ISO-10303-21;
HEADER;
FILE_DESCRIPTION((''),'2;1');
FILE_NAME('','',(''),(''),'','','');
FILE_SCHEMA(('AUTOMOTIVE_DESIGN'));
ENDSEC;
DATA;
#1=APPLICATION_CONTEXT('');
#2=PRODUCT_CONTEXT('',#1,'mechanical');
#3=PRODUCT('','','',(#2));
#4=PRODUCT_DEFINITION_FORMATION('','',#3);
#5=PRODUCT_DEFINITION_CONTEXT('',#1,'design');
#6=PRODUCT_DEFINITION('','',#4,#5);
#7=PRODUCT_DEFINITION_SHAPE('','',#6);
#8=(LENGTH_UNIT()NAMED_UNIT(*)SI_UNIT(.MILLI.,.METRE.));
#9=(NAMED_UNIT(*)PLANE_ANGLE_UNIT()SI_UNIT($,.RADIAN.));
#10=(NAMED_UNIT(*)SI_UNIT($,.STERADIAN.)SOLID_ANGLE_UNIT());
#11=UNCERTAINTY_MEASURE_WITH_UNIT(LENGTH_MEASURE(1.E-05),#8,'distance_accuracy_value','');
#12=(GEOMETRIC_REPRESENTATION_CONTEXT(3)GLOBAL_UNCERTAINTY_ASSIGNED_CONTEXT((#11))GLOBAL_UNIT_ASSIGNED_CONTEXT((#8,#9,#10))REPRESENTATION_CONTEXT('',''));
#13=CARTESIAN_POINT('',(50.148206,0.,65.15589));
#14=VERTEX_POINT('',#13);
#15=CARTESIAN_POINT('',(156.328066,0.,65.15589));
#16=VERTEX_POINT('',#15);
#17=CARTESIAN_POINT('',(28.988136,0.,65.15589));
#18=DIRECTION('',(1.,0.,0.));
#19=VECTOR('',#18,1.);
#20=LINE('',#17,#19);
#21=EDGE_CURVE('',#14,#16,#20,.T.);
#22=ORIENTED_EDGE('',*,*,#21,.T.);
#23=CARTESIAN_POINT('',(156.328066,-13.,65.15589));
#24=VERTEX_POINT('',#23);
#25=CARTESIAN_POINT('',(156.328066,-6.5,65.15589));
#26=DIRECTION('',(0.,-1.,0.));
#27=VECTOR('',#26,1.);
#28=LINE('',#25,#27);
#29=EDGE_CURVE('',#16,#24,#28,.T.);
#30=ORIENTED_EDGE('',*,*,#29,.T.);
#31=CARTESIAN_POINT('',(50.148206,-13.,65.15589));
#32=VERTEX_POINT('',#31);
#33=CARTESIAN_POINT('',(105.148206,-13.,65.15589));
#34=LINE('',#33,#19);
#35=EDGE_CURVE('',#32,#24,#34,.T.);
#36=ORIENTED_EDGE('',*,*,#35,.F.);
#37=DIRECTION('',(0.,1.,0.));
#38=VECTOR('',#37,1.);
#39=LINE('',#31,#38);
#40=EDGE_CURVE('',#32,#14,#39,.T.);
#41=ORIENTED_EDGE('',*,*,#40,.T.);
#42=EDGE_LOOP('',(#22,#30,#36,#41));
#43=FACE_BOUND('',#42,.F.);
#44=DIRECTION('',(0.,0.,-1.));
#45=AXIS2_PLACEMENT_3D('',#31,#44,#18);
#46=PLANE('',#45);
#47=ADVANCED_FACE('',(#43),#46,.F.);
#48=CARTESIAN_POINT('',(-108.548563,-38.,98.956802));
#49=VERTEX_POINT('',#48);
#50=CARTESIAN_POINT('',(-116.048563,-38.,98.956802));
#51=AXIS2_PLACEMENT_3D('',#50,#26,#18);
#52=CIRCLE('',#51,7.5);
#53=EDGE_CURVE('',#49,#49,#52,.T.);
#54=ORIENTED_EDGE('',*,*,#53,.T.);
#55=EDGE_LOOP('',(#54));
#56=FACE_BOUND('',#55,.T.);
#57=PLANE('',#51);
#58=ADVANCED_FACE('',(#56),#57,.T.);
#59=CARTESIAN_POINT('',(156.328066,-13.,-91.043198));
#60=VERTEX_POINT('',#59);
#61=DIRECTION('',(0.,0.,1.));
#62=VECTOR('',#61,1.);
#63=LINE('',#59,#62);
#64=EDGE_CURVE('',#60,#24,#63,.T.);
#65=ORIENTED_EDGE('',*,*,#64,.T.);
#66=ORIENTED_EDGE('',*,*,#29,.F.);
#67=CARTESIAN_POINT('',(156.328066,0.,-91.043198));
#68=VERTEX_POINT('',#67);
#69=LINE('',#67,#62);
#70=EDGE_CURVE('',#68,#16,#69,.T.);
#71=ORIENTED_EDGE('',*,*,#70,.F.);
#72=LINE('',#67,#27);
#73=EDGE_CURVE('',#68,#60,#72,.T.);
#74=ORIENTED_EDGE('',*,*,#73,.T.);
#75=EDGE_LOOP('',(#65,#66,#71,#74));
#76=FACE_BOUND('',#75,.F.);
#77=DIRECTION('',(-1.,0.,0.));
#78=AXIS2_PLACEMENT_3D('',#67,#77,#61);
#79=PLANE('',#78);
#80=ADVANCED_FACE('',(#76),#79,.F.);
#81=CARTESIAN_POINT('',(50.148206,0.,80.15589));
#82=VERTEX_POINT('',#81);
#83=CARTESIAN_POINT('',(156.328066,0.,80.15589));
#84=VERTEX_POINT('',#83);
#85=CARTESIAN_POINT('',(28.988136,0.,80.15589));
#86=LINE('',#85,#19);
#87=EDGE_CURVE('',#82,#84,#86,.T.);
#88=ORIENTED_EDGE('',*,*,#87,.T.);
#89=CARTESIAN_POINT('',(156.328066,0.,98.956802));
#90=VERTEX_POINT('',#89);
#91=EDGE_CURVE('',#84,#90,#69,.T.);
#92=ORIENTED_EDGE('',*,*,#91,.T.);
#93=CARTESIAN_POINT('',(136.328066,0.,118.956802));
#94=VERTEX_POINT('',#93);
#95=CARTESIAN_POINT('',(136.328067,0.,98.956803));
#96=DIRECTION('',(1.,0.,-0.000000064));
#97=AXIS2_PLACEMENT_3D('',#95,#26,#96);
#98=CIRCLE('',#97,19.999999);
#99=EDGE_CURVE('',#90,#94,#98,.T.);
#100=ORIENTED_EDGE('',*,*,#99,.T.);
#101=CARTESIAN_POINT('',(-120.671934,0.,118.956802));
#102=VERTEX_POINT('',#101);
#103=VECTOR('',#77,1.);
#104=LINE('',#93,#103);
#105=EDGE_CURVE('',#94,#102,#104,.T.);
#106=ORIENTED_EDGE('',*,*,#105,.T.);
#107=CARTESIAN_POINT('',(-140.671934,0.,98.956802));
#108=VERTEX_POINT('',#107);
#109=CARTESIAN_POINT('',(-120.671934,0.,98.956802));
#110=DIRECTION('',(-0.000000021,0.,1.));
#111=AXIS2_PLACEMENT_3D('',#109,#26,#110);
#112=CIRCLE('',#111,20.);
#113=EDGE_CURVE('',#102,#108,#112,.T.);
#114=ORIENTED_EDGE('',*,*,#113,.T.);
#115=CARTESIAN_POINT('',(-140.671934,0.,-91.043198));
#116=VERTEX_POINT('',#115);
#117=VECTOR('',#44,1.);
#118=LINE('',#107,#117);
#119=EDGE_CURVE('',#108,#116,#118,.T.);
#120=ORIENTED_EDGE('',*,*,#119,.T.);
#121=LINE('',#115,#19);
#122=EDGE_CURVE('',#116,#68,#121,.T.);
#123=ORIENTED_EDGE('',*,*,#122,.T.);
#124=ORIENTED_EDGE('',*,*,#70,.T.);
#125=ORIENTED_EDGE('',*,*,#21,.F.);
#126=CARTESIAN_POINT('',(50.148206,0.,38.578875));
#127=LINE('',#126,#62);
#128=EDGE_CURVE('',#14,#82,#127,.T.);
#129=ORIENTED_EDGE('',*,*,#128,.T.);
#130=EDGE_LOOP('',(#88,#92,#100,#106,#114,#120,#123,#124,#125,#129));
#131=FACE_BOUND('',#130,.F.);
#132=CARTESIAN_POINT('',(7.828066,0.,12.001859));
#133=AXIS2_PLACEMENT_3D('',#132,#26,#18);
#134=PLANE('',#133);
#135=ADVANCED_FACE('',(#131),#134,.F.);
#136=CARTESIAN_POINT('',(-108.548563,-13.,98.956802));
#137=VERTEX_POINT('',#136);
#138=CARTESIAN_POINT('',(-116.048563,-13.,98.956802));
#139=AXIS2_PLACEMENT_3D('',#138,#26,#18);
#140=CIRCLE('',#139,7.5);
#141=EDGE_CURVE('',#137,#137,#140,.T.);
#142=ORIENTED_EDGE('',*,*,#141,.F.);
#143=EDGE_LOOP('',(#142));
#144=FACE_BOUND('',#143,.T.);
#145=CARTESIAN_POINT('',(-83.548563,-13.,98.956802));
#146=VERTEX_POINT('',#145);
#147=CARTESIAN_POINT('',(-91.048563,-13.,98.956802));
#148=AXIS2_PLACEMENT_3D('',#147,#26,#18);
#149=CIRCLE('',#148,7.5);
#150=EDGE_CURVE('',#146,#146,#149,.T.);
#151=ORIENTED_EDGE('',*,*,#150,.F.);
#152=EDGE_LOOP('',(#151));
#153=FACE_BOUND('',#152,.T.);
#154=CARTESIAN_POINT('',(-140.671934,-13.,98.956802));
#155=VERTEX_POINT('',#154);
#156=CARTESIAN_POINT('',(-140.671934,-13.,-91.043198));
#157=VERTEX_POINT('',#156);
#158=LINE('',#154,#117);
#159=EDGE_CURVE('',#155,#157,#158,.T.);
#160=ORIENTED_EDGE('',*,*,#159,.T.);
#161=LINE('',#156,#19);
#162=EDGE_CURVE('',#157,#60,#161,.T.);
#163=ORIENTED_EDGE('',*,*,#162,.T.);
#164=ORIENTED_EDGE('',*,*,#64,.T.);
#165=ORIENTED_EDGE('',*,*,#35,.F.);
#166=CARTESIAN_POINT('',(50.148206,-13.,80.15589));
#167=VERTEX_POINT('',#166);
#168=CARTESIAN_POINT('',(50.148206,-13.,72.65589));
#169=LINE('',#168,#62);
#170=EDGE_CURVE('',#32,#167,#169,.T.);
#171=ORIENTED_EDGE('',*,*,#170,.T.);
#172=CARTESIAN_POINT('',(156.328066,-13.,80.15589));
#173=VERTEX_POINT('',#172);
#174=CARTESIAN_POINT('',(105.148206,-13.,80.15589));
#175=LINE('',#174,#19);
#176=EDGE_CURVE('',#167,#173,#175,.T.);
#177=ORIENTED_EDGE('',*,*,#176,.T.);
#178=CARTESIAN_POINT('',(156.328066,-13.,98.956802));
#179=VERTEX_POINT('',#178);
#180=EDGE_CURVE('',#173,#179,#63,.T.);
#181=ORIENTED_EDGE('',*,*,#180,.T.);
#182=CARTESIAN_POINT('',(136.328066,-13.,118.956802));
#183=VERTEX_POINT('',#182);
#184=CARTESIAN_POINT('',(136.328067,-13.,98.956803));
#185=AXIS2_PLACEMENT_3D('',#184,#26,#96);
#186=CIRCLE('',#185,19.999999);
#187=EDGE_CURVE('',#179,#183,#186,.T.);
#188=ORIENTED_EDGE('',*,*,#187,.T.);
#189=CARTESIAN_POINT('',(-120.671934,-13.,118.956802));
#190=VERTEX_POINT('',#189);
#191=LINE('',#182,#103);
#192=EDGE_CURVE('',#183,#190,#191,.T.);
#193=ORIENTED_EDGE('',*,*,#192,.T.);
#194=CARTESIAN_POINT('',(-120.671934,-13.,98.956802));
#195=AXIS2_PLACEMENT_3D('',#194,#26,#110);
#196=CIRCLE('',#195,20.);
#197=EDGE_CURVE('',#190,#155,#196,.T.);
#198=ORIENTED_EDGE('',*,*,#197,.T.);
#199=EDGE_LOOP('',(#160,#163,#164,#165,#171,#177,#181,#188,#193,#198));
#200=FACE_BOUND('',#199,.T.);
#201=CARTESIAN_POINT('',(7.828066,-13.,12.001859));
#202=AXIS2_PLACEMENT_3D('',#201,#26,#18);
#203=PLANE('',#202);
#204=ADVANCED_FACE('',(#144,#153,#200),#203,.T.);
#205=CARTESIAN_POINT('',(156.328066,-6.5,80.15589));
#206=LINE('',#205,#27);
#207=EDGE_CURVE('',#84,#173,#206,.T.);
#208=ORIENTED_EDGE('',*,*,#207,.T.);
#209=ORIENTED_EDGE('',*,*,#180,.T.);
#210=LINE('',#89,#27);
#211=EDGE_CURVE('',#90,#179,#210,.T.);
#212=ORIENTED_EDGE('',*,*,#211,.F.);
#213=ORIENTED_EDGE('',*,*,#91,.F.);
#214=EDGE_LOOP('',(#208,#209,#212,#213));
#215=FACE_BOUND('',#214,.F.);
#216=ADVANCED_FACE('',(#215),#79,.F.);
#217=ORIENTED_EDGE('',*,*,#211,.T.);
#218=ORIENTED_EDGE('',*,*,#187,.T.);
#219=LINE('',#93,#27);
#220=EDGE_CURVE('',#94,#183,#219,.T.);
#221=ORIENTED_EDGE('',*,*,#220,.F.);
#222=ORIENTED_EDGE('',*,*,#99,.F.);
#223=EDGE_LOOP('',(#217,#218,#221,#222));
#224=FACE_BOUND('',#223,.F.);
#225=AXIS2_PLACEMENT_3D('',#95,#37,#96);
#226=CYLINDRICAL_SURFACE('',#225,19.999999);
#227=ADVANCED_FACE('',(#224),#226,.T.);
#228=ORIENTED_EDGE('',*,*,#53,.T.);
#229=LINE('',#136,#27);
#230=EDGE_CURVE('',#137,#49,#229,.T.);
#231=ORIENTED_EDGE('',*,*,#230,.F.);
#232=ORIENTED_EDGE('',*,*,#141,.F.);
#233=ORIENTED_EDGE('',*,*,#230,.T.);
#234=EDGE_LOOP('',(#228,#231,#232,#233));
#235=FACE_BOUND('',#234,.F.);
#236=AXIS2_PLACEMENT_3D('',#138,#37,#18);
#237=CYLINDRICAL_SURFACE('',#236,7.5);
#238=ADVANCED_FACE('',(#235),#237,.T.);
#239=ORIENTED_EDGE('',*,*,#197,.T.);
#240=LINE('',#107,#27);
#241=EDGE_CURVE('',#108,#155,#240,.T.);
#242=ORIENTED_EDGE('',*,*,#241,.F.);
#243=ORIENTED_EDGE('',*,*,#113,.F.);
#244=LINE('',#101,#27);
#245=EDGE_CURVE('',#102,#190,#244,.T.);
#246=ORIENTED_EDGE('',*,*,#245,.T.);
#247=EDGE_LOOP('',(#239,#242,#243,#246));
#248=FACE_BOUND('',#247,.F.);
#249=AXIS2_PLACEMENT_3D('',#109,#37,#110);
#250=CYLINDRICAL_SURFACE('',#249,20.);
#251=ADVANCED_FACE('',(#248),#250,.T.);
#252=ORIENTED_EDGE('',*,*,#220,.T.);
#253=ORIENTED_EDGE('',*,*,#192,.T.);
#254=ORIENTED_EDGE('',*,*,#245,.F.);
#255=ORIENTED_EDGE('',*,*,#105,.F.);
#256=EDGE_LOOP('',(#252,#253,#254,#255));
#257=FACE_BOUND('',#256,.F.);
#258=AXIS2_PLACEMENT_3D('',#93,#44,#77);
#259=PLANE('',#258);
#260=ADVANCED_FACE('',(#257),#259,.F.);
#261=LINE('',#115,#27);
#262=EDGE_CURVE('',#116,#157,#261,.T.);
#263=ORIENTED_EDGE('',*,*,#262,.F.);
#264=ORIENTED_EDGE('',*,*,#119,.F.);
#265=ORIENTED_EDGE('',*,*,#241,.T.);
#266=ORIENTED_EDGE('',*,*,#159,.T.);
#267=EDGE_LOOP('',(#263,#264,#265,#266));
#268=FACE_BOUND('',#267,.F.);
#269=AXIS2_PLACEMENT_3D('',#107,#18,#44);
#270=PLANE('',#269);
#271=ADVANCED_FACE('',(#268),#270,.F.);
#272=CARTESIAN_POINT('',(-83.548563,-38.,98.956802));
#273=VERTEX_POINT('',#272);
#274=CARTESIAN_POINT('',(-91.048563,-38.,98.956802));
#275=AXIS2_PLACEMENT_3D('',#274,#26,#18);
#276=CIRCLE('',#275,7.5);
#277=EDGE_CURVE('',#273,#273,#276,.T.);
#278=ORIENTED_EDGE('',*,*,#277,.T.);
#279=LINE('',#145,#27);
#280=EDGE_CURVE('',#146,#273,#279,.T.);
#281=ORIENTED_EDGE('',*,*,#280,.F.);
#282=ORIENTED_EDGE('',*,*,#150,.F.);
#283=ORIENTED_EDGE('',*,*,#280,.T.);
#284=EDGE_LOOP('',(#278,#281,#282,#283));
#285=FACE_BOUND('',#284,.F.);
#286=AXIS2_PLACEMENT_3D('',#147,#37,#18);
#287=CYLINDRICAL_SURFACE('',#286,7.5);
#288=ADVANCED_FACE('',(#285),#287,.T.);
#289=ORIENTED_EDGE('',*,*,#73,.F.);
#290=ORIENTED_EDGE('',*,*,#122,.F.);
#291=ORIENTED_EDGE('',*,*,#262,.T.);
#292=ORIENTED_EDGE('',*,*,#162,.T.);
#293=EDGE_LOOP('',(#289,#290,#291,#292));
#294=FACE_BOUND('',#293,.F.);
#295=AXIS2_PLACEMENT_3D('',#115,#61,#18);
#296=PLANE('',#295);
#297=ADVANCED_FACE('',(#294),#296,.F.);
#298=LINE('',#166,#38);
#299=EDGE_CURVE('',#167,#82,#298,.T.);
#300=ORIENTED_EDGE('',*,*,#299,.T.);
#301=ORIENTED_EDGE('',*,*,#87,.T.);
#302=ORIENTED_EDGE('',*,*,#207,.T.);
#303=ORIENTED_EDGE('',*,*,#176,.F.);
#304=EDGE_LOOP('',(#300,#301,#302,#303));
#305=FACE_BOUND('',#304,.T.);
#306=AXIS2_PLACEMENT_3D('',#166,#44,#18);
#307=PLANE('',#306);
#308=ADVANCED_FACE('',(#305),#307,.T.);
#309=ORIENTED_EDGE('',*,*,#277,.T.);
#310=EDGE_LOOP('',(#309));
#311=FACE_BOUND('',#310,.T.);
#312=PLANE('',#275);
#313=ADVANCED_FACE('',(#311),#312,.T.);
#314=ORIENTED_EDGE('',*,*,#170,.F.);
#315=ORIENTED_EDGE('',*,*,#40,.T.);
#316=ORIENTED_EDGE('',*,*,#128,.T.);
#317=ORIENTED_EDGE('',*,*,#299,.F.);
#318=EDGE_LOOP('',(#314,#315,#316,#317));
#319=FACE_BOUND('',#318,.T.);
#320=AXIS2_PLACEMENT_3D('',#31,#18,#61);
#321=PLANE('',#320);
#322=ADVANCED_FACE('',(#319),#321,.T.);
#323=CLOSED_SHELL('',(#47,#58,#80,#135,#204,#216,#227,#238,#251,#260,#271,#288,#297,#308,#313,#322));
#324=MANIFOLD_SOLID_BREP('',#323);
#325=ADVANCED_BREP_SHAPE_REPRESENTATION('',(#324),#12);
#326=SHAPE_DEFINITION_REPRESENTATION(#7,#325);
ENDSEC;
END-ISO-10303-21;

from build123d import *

# Parameters (mm, degrees)
F1_DEPTH = 13
F2_W     = 110
F2_H     = 15
F3_DEPTH = 25
F4_R     = 7.5
F5_DEPTH = 25


with BuildPart() as f1:
    # F0 (on Front) → F1 (new body)
    with BuildSketch(Plane.XZ):
        with BuildLine():
            Line((136.328066, 118.956802), (-120.671934, 118.956802))
            ThreePointArc((-120.671934, 118.956802), (-134.814069, 113.098938), (-140.671934, 98.956802))
            Line((-140.671934, 98.956802), (-140.671934, -91.043198))
            Line((-140.671934, -91.043198), (156.328066, -91.043198))
            Line((156.328066, -91.043198), (156.328066, 98.956802))
            ThreePointArc((156.328066, 98.956802), (150.470202, 113.098938), (136.328066, 118.956802))
        make_face()
    extrude(amount=F1_DEPTH)

    # F2 (on face) → F3 (cut)
    with BuildSketch(Plane.XZ.offset(13)):
        with Locations((105.148206, 72.65589)):
            Rectangle(F2_W, F2_H)
    extrude(amount=-F3_DEPTH, mode=Mode.SUBTRACT)

    # F4 (on face) → F5 (join)
    with BuildSketch(Plane.XZ.offset(13)):
        with Locations((-116.048563, 98.956802)):
            Circle(F4_R)
        with Locations((-91.048563, 98.956802)):
            Circle(F4_R)
    extrude(amount=F5_DEPTH)


solid = f1.part
